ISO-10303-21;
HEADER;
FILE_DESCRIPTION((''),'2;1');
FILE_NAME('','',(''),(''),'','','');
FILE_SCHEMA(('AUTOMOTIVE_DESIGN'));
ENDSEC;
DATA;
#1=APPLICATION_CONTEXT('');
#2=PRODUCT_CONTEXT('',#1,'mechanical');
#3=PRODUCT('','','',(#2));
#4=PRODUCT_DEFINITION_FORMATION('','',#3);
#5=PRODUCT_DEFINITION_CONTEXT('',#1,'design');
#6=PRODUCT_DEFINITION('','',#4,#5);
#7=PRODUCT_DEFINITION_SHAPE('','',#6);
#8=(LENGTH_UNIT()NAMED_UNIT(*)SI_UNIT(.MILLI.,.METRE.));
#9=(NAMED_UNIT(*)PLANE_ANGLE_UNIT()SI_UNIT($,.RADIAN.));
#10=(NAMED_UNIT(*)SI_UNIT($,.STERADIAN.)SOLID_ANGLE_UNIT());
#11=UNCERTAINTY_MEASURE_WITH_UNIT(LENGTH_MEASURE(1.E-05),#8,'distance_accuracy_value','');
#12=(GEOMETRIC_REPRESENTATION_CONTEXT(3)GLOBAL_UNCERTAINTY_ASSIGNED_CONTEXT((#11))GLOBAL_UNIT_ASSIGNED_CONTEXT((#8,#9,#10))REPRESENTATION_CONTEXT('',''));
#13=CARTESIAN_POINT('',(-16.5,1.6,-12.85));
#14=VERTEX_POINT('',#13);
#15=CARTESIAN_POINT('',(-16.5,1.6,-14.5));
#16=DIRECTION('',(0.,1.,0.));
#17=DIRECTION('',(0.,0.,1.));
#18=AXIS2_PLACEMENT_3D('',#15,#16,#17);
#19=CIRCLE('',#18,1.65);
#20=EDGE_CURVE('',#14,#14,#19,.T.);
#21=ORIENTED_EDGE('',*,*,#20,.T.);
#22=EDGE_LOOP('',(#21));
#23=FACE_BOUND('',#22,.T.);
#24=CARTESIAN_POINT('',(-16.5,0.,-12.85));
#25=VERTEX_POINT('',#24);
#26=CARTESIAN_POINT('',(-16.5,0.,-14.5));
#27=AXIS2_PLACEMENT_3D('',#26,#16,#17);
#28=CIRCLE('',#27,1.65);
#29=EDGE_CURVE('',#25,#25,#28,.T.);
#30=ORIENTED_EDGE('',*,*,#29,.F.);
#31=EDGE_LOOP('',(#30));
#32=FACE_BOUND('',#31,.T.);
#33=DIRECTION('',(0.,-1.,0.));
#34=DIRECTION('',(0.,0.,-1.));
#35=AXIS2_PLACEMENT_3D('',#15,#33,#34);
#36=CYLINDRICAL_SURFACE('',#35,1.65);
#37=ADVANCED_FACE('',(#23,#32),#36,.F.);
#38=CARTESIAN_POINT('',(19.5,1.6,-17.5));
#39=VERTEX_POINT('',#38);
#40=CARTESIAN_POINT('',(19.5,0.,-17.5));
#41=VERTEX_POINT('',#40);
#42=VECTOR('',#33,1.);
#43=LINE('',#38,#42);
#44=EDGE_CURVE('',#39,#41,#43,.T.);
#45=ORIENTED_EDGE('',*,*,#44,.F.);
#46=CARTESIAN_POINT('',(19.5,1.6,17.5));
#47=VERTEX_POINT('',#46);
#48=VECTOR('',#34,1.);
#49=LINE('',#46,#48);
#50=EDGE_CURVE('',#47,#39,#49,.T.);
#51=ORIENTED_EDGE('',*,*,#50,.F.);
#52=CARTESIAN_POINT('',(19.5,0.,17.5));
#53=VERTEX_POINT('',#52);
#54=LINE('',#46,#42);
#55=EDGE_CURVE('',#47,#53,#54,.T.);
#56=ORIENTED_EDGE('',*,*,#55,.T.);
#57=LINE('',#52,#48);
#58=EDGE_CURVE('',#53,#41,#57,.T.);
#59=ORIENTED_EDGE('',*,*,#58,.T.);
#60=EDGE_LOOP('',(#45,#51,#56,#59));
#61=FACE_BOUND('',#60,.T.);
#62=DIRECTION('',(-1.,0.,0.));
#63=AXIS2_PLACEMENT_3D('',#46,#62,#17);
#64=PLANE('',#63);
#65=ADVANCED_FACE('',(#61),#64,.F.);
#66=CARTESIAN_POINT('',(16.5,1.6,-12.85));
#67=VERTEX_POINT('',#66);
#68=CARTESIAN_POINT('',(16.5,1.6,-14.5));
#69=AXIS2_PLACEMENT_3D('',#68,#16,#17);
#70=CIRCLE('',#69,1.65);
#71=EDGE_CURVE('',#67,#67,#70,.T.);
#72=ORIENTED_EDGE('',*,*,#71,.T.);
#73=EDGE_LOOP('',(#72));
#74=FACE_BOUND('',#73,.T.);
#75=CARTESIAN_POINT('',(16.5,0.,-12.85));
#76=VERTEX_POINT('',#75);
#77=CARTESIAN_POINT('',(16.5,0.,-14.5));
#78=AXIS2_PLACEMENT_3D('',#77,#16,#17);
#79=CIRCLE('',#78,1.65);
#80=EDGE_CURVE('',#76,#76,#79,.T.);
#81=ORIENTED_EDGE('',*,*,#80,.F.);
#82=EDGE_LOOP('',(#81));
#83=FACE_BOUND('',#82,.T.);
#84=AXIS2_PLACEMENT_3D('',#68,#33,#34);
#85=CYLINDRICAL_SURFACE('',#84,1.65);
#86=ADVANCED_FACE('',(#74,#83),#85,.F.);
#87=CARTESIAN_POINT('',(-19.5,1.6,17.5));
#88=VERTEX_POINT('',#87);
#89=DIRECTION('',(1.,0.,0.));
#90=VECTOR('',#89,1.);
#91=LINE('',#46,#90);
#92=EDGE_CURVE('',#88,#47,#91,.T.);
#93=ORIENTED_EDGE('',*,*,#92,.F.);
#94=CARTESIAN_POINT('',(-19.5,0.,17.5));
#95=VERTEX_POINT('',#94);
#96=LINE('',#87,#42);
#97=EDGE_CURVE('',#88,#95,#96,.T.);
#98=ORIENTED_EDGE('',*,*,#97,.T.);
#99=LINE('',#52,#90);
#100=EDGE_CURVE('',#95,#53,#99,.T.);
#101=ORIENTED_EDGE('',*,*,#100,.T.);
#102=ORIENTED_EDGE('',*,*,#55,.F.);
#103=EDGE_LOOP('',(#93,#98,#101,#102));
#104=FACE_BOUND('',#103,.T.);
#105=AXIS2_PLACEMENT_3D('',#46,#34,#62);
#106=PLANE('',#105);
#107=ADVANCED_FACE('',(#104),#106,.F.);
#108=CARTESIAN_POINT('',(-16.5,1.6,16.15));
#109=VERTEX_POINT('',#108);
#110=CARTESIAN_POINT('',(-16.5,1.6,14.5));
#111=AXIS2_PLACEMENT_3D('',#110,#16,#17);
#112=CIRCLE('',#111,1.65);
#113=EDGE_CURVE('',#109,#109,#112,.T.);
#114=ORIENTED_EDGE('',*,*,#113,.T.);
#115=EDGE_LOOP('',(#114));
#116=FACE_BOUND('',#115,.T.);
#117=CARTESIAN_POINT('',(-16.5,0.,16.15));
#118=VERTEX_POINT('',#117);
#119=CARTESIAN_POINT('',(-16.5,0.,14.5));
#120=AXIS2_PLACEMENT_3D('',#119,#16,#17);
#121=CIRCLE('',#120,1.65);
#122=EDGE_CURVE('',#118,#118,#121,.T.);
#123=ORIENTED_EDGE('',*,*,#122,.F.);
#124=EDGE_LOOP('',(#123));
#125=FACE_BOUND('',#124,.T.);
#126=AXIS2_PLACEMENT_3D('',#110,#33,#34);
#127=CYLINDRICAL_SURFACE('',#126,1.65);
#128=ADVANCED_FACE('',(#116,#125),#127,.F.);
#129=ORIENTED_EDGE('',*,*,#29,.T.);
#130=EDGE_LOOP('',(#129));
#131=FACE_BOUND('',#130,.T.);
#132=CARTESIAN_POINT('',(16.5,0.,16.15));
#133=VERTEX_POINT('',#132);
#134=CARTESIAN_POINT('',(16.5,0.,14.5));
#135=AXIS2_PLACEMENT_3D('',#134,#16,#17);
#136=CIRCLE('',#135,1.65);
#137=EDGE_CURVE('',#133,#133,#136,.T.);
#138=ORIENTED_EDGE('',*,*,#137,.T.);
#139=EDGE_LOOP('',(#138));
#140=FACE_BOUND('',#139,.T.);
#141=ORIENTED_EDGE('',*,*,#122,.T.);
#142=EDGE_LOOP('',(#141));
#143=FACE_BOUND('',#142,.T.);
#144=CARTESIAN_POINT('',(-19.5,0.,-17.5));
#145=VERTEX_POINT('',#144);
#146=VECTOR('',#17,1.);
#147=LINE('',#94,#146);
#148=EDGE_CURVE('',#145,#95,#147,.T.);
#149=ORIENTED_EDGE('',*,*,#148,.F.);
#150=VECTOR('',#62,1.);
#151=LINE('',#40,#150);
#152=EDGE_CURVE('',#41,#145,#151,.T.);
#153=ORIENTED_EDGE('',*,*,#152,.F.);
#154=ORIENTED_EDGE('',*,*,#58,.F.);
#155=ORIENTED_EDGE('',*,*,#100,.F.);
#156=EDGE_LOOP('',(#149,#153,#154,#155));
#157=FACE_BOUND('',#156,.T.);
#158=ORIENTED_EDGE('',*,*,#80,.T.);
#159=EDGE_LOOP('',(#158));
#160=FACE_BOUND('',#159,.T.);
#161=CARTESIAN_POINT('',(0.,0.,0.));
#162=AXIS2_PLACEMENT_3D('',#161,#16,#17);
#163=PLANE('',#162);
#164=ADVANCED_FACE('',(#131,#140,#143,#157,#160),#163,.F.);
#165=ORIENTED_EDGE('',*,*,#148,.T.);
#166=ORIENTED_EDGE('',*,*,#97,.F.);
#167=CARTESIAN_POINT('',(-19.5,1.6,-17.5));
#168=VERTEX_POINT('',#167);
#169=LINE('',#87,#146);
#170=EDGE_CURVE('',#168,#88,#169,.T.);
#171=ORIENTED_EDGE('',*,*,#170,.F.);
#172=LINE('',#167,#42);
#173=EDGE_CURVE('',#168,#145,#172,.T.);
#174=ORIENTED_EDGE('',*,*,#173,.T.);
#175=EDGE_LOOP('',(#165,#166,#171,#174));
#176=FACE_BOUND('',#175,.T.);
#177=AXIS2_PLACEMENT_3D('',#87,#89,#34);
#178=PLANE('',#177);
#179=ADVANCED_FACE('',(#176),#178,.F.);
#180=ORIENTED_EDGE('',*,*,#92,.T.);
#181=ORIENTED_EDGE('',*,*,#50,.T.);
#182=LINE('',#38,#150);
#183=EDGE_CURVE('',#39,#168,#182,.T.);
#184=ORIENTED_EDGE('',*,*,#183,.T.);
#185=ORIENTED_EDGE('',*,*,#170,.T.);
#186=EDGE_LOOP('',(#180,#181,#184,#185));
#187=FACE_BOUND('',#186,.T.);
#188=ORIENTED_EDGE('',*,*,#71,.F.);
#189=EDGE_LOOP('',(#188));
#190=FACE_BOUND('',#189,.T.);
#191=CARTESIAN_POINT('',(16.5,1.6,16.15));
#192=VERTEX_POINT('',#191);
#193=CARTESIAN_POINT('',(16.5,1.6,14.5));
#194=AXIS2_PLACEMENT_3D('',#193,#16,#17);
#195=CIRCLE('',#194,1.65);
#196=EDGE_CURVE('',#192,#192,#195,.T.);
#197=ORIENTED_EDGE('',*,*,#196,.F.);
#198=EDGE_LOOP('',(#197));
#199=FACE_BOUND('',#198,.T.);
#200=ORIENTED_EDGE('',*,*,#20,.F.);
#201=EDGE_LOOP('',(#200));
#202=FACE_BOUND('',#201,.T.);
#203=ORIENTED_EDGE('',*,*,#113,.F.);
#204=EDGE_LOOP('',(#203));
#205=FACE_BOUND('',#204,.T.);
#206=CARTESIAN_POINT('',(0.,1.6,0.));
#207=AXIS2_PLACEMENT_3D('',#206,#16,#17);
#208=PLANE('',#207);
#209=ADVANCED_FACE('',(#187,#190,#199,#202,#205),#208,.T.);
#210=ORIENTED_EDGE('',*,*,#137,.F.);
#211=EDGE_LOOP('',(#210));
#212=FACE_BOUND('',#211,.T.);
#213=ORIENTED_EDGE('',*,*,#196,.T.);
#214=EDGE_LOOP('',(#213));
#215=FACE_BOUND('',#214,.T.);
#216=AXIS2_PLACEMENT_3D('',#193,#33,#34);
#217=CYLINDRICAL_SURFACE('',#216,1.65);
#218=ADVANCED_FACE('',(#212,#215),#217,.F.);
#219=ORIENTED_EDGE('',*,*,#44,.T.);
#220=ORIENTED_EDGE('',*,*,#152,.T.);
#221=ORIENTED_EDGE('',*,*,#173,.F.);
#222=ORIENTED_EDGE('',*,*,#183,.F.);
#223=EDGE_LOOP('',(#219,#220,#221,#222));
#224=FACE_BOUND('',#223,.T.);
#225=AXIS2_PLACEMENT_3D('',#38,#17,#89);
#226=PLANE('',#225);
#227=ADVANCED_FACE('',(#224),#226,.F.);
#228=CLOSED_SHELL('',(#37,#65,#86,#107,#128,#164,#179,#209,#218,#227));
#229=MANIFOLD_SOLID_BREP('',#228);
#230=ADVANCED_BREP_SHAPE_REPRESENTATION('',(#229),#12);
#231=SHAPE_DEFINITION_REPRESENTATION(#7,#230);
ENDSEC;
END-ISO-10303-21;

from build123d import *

# Parameters (mm, degrees)
SKETCH1_W           = 39
SKETCH1_H           = 35
SKETCH1_R           = 1.65
BOSS_EXTRUDE1_DEPTH = 1.6


with BuildPart() as part:
    # Sketch1 → Boss-Extrude1 (new body)
    with BuildSketch(Plane(origin=(0, 0, 0), x_dir=(1, 0, 0), z_dir=(0, 1, 0))):
        Rectangle(SKETCH1_W, SKETCH1_H)
        with Locations(Location((16.5, -14.5, 0), (0, 0, 270))):
            Circle(SKETCH1_R, mode=Mode.SUBTRACT)
        with Locations(Location((-16.5, -14.5, 0), (0, 0, 270))):
            Circle(SKETCH1_R, mode=Mode.SUBTRACT)
        with Locations(Location((-16.5, 14.5, 0), (0, 0, 270))):
            Circle(SKETCH1_R, mode=Mode.SUBTRACT)
        with Locations(Location((16.5, 14.5, 0), (0, 0, 270))):
            Circle(SKETCH1_R, mode=Mode.SUBTRACT)
    extrude(amount=BOSS_EXTRUDE1_DEPTH)


solid = part.part
